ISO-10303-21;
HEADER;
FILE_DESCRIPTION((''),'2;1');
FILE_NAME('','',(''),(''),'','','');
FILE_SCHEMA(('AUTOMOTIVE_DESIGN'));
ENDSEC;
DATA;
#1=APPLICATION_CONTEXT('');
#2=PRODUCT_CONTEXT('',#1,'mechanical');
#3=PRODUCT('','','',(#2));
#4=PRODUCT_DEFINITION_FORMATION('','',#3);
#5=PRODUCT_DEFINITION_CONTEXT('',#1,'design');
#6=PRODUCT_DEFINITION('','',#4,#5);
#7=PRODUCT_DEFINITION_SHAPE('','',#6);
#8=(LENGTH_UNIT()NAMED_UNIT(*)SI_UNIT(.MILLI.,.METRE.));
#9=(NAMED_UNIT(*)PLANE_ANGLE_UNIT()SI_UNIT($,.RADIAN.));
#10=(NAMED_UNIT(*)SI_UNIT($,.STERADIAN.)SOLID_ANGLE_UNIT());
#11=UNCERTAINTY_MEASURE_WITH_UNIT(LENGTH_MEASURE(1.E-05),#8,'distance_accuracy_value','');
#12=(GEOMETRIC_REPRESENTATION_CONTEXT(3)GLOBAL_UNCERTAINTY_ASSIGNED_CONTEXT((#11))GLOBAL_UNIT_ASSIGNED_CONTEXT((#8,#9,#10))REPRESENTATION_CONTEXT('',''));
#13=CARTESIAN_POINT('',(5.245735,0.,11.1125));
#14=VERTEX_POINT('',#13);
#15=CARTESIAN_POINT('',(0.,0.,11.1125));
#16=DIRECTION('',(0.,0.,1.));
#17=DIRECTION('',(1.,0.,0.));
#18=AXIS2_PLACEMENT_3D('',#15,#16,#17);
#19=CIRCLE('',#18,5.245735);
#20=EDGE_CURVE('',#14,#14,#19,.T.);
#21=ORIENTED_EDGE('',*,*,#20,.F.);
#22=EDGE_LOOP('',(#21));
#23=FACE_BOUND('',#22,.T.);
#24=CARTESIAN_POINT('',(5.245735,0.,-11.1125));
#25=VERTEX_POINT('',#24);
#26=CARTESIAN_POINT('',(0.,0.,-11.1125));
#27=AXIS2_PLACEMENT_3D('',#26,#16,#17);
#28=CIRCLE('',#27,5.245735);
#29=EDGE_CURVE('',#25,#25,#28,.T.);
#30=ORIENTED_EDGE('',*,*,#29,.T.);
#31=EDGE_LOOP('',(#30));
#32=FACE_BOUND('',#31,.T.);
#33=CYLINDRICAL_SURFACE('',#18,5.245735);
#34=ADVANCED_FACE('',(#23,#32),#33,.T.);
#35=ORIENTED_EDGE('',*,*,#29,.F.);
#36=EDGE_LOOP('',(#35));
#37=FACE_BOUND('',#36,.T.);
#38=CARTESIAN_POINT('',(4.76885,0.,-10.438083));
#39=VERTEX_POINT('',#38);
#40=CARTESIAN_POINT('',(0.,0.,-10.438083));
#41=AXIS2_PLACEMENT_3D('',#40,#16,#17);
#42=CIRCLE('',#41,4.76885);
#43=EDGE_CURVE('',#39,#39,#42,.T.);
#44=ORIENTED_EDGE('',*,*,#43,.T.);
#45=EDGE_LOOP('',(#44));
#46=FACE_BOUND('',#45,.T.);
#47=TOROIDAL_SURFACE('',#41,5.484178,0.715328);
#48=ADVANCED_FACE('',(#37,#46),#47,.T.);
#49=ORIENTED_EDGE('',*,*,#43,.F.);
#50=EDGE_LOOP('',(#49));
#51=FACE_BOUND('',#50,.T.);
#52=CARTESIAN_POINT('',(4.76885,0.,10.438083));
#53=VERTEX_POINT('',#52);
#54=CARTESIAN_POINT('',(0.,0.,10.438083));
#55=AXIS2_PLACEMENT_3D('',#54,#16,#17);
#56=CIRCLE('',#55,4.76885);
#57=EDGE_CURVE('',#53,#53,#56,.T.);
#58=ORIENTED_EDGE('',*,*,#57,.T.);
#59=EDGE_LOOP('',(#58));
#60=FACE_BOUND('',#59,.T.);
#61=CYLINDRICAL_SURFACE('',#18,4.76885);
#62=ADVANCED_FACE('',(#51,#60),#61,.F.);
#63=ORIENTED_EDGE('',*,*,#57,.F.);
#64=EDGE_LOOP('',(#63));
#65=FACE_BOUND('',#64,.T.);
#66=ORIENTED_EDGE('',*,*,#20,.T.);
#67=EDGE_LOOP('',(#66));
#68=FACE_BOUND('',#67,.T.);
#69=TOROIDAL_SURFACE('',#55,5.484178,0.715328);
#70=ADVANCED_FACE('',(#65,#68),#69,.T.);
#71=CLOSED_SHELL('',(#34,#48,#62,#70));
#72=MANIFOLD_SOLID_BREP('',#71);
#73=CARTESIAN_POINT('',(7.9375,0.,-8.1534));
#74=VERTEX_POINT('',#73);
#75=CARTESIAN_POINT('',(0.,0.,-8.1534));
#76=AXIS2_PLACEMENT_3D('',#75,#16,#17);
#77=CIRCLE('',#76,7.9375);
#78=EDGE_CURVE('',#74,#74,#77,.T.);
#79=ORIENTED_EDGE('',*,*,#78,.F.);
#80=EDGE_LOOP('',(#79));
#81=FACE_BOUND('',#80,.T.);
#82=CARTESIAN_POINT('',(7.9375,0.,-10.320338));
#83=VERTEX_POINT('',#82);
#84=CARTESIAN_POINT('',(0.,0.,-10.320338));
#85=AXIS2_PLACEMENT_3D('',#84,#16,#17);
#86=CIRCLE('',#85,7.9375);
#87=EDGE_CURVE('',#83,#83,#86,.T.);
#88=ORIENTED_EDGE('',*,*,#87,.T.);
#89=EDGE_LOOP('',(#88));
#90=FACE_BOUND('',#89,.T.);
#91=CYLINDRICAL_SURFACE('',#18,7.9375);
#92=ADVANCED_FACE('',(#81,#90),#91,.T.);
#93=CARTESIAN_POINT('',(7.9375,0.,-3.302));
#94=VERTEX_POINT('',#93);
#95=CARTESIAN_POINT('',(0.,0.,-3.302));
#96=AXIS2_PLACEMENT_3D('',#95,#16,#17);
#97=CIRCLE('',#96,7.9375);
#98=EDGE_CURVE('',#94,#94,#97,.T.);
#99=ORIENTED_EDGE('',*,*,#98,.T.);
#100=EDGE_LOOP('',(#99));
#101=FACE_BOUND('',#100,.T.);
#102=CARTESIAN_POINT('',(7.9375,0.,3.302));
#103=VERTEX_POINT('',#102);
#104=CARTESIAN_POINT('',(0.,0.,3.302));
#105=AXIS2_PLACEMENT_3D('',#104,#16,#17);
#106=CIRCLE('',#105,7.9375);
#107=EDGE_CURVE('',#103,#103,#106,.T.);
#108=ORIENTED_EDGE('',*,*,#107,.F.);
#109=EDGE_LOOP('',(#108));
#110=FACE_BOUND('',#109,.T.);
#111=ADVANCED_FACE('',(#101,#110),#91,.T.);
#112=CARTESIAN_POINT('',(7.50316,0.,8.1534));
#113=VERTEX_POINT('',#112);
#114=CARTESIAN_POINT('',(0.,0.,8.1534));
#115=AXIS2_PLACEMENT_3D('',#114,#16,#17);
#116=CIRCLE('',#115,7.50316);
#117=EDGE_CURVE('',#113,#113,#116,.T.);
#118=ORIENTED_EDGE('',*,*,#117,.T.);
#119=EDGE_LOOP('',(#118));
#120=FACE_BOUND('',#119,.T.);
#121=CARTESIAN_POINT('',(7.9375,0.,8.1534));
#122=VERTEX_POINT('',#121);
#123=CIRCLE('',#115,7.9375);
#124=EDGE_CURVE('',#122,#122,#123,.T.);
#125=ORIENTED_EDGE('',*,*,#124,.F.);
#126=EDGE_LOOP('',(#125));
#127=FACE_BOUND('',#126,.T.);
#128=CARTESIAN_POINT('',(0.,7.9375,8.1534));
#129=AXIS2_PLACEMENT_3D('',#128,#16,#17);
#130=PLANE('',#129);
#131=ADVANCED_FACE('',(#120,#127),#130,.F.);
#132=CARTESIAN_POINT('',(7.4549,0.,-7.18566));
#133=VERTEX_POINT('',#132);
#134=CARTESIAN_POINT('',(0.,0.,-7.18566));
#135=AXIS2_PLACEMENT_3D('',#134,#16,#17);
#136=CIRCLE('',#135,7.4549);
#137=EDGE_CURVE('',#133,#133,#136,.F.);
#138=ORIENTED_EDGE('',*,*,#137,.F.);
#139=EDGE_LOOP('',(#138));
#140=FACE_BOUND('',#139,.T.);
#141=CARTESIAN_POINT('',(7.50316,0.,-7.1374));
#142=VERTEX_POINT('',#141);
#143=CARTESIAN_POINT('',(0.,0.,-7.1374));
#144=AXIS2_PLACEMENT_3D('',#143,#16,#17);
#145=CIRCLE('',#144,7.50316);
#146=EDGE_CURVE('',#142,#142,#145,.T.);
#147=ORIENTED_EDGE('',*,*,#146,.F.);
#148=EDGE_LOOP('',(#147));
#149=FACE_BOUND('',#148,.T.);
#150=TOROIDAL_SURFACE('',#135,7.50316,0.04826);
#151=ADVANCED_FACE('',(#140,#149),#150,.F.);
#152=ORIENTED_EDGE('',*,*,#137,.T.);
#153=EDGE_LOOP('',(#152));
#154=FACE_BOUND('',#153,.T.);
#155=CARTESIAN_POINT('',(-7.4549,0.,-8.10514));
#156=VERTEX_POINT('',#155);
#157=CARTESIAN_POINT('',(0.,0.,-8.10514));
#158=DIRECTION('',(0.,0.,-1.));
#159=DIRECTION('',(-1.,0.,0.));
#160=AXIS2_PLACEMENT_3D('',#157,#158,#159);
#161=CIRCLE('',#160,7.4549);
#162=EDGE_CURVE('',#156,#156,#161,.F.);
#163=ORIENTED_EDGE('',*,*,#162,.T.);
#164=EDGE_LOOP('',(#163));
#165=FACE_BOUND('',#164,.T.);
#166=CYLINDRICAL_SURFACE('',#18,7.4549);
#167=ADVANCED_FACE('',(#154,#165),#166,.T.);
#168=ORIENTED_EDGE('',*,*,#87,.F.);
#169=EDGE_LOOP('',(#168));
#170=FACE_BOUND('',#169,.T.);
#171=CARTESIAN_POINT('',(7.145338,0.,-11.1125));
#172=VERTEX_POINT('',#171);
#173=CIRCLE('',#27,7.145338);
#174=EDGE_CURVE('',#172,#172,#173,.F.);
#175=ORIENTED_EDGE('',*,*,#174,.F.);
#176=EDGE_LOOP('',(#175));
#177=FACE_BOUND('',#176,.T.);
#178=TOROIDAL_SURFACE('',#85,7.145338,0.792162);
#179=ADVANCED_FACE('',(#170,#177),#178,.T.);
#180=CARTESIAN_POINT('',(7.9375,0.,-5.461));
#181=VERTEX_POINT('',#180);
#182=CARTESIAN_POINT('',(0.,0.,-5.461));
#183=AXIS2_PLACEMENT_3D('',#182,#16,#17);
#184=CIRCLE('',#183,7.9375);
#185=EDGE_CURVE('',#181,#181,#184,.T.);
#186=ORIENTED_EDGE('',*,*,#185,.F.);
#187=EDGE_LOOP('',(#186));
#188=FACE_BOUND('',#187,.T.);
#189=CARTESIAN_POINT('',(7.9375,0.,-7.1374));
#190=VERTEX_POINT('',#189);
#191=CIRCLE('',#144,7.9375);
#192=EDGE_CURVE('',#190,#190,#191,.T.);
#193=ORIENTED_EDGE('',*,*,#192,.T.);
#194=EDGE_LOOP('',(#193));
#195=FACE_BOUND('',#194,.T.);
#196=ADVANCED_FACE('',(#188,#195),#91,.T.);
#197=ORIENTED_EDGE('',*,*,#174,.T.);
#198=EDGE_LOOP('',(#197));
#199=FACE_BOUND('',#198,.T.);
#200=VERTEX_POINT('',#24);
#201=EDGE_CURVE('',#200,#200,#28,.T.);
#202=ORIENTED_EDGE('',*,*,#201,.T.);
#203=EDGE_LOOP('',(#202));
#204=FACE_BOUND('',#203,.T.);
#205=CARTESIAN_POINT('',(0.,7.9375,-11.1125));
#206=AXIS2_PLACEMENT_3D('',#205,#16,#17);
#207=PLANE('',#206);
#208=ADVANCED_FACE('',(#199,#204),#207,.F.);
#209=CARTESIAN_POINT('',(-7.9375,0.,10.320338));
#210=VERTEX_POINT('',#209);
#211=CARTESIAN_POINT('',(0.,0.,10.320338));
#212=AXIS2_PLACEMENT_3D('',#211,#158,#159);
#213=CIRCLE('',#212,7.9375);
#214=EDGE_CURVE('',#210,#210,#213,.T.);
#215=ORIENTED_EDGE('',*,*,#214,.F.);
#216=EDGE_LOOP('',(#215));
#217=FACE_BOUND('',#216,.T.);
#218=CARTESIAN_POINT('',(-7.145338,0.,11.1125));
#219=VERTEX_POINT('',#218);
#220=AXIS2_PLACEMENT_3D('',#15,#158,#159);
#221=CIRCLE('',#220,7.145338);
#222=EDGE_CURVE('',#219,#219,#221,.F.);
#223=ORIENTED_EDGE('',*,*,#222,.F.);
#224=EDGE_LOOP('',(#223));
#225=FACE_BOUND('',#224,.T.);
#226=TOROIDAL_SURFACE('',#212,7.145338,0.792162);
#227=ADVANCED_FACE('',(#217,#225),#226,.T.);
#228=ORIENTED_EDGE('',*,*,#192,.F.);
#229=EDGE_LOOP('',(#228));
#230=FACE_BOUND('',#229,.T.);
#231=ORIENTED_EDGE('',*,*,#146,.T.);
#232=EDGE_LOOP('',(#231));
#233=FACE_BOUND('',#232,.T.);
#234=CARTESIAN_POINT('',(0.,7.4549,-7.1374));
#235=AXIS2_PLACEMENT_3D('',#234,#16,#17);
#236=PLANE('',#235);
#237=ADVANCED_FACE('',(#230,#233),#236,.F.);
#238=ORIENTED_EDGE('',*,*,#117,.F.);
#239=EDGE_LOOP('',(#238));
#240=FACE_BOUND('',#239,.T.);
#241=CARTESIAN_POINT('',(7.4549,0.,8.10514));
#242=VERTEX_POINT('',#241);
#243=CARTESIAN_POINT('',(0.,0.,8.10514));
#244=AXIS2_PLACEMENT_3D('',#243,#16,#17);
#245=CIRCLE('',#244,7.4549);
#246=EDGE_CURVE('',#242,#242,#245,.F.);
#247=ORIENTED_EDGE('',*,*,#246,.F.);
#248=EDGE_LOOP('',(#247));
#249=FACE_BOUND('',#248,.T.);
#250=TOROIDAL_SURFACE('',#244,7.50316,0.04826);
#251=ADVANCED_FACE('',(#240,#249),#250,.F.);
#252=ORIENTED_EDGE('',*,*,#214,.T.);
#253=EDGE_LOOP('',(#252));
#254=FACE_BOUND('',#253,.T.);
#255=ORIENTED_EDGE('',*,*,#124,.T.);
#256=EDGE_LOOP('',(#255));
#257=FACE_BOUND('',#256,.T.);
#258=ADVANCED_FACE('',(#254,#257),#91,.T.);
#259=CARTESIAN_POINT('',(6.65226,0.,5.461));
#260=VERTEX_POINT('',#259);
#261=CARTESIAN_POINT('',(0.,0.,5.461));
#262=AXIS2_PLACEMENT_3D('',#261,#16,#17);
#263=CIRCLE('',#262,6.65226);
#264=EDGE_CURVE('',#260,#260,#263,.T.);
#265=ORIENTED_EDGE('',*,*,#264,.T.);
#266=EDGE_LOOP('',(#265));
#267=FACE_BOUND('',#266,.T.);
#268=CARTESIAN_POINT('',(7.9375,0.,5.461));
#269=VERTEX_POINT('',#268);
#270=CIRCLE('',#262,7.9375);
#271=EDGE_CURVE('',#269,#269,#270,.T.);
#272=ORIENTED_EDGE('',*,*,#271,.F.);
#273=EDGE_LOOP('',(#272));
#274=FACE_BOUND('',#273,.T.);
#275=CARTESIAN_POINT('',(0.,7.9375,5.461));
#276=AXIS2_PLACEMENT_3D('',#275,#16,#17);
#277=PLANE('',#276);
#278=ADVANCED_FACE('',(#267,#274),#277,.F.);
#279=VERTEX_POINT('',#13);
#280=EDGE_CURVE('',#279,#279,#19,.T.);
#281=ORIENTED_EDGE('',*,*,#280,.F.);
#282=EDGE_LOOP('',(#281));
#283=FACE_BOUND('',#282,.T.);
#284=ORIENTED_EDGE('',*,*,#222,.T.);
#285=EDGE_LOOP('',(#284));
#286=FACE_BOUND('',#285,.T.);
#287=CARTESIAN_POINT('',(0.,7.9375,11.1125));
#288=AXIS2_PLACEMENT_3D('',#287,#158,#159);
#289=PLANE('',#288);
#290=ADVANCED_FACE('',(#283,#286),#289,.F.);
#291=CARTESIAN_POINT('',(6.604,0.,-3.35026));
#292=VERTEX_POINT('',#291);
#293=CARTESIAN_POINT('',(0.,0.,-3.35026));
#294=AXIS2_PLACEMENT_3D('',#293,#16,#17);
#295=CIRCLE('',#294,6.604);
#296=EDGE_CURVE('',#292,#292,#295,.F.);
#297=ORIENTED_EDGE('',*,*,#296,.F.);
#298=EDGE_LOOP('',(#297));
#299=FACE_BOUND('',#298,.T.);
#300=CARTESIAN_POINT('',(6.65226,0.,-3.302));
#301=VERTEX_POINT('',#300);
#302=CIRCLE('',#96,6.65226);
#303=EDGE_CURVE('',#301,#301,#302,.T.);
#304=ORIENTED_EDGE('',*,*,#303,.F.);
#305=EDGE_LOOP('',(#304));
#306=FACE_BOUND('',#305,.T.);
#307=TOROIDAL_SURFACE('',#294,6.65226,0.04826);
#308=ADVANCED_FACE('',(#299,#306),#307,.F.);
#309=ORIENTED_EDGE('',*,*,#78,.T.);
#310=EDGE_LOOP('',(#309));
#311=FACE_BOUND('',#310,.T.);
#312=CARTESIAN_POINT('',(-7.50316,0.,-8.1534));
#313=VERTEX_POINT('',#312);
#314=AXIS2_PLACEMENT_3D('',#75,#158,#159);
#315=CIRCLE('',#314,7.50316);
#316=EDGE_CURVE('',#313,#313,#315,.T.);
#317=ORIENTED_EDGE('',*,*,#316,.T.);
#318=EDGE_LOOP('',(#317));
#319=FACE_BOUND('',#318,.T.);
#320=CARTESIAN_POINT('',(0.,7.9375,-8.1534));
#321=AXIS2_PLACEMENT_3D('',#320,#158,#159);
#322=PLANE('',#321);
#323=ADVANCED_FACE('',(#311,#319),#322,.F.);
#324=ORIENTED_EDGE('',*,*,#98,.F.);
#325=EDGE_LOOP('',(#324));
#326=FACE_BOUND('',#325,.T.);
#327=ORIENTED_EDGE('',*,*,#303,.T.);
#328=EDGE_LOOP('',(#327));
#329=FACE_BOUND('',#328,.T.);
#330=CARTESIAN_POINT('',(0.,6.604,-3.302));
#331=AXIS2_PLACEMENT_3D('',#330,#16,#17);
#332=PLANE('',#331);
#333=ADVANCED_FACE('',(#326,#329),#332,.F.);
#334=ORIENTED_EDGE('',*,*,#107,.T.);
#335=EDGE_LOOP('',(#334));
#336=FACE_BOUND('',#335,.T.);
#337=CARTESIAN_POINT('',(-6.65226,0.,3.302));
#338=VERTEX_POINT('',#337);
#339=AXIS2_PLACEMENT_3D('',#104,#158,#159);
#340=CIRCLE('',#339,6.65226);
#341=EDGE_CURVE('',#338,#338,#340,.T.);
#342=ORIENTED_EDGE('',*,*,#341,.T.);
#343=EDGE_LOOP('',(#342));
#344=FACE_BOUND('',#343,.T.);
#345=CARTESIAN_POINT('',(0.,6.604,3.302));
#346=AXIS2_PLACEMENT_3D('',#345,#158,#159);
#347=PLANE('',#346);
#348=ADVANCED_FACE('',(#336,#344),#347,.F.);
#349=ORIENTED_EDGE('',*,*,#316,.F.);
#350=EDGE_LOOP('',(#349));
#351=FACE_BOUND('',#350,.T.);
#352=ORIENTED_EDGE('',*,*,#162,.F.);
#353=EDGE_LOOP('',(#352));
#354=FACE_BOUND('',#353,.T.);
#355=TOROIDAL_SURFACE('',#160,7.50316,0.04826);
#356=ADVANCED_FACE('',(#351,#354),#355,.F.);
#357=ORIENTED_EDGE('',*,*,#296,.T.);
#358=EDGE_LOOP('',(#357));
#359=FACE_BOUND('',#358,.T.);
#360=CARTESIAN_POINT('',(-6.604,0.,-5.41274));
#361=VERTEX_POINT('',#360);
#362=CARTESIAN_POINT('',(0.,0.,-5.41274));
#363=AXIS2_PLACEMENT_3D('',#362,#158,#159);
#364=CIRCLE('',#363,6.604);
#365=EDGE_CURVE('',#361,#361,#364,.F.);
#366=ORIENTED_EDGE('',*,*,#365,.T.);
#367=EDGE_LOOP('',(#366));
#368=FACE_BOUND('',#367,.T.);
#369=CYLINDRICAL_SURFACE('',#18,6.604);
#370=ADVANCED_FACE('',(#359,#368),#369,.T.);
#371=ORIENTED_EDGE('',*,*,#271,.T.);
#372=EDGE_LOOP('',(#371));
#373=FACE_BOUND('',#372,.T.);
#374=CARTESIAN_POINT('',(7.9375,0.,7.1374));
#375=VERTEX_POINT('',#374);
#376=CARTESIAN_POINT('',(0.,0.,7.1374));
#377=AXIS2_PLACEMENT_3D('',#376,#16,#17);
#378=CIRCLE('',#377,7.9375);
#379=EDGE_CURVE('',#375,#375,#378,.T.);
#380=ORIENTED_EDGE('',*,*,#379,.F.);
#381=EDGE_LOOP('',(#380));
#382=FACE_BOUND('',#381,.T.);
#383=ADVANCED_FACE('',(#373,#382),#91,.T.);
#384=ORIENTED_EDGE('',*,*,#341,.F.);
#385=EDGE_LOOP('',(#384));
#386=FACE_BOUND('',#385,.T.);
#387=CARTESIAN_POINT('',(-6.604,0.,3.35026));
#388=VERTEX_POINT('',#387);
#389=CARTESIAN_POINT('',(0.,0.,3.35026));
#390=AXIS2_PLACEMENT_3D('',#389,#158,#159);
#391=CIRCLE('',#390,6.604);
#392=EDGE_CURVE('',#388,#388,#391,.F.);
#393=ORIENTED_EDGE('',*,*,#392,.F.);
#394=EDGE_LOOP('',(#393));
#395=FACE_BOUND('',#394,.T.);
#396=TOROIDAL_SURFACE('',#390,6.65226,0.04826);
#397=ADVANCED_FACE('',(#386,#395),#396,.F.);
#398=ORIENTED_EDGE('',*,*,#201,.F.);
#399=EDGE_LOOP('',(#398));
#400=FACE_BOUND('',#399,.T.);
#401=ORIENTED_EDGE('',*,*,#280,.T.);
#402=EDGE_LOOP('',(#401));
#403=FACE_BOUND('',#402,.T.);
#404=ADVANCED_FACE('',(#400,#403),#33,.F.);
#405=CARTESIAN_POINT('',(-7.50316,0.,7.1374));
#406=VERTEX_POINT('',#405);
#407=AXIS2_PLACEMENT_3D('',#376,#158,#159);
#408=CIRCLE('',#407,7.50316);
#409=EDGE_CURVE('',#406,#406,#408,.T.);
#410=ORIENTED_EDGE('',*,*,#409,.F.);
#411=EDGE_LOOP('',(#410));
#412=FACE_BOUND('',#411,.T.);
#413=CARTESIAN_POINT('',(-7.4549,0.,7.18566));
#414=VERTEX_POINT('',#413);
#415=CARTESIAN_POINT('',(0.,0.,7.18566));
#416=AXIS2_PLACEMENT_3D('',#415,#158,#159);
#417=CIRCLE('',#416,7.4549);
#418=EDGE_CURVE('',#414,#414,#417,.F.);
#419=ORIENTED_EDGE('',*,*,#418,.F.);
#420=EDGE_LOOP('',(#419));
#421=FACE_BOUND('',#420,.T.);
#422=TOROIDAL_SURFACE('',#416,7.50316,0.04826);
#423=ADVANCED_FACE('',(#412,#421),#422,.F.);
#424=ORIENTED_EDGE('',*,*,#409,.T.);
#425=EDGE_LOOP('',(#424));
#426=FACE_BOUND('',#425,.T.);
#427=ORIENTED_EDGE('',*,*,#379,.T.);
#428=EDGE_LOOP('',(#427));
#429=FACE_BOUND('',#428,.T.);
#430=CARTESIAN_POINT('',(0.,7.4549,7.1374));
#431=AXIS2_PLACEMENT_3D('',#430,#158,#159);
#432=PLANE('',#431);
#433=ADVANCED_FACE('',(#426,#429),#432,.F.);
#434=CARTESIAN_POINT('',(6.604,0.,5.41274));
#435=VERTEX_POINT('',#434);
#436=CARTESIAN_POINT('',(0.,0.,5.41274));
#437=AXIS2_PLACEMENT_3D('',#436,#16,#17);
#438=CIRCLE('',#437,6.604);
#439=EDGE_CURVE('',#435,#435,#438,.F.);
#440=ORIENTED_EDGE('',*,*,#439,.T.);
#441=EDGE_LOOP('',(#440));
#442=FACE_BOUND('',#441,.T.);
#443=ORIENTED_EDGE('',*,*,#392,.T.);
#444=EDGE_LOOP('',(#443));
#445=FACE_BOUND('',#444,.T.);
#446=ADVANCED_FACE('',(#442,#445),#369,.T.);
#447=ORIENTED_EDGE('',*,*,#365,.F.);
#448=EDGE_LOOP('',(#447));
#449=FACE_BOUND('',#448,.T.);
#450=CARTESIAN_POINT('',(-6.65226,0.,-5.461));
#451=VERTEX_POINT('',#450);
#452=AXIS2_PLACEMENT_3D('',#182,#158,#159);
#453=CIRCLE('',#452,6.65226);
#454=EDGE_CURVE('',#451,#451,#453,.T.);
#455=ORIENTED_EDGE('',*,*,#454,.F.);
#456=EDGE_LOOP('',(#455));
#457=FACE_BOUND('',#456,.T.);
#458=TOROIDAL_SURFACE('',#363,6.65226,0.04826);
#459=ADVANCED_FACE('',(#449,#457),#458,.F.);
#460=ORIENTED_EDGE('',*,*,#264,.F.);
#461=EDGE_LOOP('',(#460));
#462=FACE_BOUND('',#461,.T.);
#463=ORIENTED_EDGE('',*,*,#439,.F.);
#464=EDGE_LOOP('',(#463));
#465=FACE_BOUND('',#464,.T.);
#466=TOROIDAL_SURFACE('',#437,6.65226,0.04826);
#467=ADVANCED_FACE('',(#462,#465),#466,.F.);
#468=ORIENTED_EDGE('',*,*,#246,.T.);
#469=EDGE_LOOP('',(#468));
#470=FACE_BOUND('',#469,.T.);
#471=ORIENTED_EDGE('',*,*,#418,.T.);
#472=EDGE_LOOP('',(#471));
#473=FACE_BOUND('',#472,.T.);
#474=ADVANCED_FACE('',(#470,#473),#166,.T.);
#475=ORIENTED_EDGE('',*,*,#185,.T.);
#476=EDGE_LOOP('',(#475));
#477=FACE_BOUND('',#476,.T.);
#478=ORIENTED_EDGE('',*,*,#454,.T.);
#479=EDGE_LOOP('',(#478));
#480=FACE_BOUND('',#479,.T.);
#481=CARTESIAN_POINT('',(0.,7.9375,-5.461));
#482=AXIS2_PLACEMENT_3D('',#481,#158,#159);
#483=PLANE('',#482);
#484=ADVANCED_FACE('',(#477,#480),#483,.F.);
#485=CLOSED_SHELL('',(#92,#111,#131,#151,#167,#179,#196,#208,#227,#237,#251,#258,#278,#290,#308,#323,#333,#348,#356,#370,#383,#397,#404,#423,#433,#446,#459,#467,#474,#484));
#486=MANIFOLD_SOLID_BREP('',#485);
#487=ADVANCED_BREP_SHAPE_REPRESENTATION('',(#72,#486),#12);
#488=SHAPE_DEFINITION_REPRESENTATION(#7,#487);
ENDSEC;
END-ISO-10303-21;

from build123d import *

# Parameters (mm, degrees)
FILLET1_R = 0.7921625
FILLET2_R = 0.04826


with BuildPart() as part:
    # Sketch3 → Revolve1 (revolve)
    with BuildSketch(Plane(origin=(0, 0, 0), x_dir=(0, 0, -1), z_dir=(1, 0, 0))):
        Polygon((-11.1125, 7.9375), (-8.1534, 7.9375), (-8.1534, 7.4549), (-7.1374, 7.4549), (-7.1374, 7.9375), (-5.461, 7.9375), (-5.461, 6.604), (-3.302, 6.604), (-3.302, 7.9375), (3.302, 7.9375), (3.302, 6.604), (5.461, 6.604), (5.461, 7.9375), (7.1374, 7.9375), (7.1374, 7.4549), (8.1534, 7.4549), (8.1534, 7.9375), (11.1125, 7.9375), (11.1125, 5.245735), (-11.1125, 5.245735), align=None)
    revolve(axis=Axis((0, 0, 11.1125), (0, 0, -1)))

    # Fillet1
    fillet1_edges = [part.edges().sort_by_distance(p)[0] for p in [
        (0, -7.9375, 11.1125),
        (0, -7.9375, -11.1125),
    ]]
    fillet(fillet1_edges, radius=FILLET1_R)

    # Fillet2
    fillet2_edges = [part.edges().sort_by_distance(p)[0] for p in [
        (0, -7.4549, 8.1534),
        (0, -7.4549, 7.1374),
        (0, -6.604, 5.461),
        (0, -6.604, 3.302),
        (0, -6.604, -3.302),
        (0, -6.604, -5.461),
        (0, -7.4549, -7.1374),
        (0, -7.4549, -8.1534),
    ]]
    fillet(fillet2_edges, radius=FILLET2_R)


with BuildPart() as body_2:
    # Sketch4 → Revolve2 (revolve)
    with BuildSketch(Plane(origin=(0, 0, 0), x_dir=(0, 0, -1), z_dir=(1, 0, 0))):
        with BuildLine():
            Line((10.438082765, 4.76885), (-10.438082765, 4.76885))
            ThreePointArc((-10.438082765, 4.76885), (-10.85107729, 4.900115042), (-11.1125, 5.245735))
            Line((-11.1125, 5.245735), (0, 5.245735))
            Line((0, 5.245735), (11.1125, 5.245735))
            ThreePointArc((11.1125, 5.245735), (10.85107729, 4.900115042), (10.438082765, 4.76885))
        make_face()
    revolve(axis=Axis((0, 0, 11.1125), (0, 0, -1)))


solid = Compound([part.part, body_2.part])
